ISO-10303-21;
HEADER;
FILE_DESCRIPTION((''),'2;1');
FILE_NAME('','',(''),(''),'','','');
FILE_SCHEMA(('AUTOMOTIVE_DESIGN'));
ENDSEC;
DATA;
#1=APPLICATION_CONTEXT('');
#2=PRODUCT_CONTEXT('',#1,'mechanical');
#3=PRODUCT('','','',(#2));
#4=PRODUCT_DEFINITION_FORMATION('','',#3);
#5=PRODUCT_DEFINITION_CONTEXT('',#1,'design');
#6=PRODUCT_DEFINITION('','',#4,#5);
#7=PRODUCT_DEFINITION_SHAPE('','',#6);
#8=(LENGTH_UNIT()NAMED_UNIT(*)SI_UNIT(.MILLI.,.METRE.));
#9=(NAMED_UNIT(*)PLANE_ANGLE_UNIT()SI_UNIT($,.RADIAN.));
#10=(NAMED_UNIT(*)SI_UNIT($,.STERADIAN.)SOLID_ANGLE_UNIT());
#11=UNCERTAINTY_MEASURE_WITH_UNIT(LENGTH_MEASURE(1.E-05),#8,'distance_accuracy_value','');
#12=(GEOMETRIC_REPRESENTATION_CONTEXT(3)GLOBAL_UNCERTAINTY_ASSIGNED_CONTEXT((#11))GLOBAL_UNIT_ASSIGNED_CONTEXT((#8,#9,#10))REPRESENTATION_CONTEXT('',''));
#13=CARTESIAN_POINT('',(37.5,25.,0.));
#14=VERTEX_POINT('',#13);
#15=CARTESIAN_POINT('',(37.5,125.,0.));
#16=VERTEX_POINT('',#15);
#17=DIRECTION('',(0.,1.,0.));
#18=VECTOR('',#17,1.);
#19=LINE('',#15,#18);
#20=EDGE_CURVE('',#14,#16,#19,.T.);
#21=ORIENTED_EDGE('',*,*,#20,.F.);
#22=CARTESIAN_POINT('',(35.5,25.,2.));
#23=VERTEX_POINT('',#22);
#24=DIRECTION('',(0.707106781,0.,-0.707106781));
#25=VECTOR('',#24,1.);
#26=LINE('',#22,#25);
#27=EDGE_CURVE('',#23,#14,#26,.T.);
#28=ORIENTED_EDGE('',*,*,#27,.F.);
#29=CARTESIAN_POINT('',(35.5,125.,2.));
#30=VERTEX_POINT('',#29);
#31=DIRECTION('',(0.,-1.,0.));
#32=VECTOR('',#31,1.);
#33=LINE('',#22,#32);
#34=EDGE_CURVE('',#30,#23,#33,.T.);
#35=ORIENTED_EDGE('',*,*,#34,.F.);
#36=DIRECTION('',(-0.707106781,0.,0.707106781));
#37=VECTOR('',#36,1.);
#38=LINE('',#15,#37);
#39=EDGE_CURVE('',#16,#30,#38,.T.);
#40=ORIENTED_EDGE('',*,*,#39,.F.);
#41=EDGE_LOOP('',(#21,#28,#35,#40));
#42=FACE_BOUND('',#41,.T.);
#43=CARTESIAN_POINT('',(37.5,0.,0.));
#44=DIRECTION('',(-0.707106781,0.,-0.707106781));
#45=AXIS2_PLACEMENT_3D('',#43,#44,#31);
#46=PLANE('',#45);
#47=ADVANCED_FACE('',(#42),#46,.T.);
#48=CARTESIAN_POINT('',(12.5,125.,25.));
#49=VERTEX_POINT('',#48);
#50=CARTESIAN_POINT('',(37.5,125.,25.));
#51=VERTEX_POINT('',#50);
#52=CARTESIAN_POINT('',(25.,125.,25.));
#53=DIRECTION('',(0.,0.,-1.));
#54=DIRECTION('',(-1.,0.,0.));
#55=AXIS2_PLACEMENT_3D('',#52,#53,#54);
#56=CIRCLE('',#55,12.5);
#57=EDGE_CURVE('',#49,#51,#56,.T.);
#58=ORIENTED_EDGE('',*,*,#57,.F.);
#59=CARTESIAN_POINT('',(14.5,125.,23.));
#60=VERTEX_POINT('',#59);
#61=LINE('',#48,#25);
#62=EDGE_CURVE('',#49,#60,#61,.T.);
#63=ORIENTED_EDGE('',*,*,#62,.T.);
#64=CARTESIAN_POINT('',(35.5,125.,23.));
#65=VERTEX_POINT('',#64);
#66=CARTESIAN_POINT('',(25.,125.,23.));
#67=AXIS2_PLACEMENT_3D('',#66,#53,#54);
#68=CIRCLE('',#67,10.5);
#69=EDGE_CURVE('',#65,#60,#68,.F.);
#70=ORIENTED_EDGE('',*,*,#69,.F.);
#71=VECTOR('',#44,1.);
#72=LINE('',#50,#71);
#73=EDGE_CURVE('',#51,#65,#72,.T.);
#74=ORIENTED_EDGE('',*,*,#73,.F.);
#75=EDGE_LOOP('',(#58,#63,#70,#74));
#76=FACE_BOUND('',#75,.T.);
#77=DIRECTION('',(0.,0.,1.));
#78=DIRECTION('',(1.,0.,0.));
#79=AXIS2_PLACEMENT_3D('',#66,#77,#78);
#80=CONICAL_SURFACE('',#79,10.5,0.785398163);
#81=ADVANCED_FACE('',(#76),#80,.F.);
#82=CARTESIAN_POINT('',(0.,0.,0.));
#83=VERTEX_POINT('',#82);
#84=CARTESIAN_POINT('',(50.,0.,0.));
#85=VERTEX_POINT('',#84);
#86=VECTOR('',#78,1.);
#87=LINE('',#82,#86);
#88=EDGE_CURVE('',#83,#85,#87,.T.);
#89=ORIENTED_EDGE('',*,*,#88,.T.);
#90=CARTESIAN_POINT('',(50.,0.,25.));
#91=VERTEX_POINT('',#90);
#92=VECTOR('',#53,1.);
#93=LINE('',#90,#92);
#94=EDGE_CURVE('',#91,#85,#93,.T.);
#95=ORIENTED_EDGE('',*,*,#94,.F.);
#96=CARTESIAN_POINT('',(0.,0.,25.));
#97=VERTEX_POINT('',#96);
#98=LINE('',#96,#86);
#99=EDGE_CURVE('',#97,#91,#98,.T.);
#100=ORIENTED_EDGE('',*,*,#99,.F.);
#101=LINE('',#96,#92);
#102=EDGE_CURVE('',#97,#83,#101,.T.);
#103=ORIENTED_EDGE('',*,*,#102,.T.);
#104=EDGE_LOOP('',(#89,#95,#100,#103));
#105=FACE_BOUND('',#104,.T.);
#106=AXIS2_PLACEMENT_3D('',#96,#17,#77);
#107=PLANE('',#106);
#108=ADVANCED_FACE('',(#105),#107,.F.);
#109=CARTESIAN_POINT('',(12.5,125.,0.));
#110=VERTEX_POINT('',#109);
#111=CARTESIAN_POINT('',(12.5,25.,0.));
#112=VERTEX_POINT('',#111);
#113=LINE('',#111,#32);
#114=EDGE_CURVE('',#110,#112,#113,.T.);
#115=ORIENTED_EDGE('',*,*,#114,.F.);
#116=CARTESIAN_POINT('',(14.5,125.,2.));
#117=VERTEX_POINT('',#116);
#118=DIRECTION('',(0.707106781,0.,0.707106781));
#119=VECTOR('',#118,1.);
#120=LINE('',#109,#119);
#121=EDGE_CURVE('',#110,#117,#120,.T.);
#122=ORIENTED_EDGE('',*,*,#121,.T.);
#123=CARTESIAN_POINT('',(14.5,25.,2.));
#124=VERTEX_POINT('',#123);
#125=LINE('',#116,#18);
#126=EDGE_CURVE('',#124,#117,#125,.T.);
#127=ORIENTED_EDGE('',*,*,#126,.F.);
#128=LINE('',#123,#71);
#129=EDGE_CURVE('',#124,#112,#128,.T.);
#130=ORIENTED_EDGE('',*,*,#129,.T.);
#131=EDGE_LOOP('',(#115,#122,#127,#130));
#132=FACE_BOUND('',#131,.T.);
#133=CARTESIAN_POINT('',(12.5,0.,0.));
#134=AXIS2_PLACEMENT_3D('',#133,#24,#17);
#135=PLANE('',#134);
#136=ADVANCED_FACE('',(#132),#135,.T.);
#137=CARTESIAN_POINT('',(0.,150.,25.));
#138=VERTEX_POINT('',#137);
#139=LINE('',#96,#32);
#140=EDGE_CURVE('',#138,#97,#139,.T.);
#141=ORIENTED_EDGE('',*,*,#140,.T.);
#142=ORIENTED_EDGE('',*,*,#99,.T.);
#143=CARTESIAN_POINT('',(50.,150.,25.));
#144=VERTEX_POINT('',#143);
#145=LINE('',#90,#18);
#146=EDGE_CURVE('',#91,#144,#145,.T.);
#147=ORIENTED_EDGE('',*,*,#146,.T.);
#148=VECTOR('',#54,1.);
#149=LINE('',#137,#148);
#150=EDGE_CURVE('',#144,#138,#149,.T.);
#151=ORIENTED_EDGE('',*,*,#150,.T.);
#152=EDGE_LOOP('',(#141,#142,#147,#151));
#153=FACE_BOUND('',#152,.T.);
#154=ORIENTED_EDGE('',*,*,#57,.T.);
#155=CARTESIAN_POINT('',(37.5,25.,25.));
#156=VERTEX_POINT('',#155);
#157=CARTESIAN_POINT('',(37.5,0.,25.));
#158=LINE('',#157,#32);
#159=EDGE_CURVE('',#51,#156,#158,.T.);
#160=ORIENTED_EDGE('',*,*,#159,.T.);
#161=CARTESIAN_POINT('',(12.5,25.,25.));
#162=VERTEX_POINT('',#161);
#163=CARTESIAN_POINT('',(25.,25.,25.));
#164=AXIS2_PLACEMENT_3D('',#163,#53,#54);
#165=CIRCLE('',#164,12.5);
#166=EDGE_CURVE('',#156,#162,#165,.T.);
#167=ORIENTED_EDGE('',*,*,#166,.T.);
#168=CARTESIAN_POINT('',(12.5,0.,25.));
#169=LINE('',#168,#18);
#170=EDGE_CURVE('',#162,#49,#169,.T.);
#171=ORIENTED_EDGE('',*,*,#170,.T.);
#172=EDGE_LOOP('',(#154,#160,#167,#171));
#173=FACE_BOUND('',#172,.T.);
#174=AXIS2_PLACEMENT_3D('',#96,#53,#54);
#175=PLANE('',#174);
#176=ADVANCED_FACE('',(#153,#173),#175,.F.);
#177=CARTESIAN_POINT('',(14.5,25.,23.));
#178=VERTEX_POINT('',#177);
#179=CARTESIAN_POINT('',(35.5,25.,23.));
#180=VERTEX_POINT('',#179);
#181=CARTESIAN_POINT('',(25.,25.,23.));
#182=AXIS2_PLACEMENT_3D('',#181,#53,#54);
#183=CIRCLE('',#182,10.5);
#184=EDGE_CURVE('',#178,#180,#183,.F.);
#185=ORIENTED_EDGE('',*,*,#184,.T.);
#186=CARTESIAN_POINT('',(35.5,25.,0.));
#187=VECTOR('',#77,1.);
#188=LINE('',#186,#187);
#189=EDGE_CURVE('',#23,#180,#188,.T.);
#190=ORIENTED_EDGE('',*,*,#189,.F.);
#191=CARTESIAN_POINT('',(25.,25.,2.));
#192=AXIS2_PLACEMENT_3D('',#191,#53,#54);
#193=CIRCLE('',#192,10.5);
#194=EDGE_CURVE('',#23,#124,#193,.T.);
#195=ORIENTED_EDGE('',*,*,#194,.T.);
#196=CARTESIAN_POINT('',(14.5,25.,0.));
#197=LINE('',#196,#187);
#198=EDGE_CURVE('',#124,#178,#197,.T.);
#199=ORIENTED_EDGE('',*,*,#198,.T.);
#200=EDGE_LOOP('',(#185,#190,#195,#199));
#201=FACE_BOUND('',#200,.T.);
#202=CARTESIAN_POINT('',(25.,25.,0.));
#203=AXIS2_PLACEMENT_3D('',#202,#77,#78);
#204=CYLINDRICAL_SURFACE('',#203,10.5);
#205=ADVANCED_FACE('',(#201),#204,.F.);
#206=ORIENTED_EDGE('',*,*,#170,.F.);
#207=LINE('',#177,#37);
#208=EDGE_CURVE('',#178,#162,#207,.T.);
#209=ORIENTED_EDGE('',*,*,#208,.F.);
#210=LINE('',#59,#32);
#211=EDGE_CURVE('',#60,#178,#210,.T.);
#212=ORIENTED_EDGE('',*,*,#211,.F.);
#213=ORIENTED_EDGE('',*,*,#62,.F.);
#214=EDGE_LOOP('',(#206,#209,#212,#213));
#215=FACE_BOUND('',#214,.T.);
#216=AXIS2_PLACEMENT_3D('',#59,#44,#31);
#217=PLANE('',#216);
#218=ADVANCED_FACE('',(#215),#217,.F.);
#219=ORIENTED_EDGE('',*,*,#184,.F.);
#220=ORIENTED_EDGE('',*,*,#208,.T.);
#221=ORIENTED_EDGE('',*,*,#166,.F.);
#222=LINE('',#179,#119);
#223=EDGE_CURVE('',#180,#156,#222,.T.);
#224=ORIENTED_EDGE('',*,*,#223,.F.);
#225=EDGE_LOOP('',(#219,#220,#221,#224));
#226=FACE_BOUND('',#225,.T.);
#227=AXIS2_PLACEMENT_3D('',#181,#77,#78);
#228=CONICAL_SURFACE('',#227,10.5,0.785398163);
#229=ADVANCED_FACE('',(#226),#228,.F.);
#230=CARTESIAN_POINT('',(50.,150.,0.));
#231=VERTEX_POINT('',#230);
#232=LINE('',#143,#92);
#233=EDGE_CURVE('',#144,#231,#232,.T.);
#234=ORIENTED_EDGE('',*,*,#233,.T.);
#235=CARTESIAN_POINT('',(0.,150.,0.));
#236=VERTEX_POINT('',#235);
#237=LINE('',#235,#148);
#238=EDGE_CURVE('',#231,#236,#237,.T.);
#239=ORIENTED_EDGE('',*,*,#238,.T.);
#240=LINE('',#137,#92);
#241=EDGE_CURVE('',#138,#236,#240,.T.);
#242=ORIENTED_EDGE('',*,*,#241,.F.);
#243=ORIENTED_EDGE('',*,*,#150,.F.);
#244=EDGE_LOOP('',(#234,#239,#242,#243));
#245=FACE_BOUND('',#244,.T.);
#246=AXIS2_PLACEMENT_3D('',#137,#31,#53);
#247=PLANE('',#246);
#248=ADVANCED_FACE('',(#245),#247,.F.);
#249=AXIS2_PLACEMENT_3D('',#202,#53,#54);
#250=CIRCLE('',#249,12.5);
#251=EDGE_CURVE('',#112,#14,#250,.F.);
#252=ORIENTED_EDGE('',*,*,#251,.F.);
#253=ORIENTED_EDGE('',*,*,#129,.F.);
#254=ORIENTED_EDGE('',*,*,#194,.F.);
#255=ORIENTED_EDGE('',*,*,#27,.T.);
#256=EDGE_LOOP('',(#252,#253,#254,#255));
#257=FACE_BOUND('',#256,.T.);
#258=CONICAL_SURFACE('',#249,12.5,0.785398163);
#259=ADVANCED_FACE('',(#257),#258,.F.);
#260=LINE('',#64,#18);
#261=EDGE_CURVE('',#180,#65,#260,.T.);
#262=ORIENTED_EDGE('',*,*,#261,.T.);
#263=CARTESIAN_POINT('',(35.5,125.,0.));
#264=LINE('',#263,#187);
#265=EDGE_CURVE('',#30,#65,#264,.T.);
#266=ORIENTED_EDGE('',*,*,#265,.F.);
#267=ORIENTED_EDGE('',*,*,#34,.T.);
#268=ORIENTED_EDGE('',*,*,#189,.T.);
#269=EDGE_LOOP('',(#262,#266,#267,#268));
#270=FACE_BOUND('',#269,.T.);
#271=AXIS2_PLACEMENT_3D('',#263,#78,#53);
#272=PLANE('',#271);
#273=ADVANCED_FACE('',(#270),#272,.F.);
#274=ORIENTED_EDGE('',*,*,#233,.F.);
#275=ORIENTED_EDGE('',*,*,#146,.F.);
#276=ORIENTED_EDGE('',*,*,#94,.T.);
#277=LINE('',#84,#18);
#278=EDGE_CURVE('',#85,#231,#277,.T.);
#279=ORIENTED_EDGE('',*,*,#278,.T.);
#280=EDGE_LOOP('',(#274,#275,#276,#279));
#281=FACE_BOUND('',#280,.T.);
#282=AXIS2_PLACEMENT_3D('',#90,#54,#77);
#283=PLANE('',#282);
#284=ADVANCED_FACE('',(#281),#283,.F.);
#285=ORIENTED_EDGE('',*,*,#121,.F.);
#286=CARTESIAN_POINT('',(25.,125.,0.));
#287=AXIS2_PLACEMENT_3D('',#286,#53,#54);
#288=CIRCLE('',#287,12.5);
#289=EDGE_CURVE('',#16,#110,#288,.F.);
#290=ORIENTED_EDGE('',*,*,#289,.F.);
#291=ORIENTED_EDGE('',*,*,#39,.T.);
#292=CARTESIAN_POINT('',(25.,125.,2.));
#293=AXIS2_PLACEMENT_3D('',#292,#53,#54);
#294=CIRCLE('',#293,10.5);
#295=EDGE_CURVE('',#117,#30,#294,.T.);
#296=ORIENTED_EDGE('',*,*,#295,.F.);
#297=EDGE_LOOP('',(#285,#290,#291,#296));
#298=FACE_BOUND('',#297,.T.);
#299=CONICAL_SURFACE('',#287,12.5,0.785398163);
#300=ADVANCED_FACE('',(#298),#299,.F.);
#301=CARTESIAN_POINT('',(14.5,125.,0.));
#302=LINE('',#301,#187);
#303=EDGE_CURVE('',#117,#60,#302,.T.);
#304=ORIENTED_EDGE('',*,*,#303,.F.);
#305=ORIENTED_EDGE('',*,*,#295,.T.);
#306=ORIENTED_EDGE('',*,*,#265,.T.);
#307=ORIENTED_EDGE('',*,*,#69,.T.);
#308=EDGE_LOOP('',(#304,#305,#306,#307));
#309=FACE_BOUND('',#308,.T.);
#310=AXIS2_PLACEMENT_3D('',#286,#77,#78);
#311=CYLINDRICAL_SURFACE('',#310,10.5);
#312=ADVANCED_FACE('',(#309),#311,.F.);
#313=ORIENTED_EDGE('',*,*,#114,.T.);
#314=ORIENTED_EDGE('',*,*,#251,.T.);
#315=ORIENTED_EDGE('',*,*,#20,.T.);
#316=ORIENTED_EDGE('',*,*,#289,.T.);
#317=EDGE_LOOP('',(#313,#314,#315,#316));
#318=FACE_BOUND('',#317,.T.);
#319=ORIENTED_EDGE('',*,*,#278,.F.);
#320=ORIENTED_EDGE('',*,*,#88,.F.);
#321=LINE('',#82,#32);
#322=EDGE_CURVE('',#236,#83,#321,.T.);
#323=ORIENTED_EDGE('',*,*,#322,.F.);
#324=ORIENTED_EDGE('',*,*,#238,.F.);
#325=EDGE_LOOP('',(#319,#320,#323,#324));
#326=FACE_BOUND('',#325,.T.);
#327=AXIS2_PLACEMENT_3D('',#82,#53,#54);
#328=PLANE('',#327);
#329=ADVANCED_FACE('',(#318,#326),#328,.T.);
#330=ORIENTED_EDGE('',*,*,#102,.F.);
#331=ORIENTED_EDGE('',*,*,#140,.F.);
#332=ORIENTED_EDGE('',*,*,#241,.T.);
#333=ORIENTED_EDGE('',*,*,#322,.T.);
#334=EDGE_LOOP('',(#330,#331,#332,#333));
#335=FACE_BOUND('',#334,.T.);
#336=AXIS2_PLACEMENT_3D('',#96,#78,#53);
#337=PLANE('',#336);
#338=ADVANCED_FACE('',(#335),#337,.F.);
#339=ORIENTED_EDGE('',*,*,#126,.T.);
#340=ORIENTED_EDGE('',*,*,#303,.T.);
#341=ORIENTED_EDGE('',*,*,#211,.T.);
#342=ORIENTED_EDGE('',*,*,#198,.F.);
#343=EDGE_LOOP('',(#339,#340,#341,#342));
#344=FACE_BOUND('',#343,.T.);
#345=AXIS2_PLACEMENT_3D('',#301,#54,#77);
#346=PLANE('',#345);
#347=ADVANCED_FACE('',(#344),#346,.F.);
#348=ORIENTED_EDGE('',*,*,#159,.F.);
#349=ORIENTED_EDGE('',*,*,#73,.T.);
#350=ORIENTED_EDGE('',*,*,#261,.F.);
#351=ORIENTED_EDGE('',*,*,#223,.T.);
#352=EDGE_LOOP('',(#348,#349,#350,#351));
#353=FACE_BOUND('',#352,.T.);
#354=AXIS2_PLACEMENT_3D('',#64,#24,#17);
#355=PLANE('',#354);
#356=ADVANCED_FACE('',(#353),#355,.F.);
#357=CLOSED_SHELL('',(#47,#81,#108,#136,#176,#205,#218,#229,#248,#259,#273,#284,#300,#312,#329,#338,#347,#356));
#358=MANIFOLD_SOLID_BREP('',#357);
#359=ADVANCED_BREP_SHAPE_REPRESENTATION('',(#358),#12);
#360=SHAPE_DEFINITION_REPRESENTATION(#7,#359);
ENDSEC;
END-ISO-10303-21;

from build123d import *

# Parameters (mm, degrees)
SKETCH_1_W          = 50
SKETCH_1_H          = 150
EXTRUDE_1_DEPTH     = 25
CUT_EXTRUDE_1_DEPTH = 26
CHAMFER_1_SIZE      = 2


with BuildPart() as part:
    # Эскиз1 → Бобышка-Вытянуть1 (new body)
    with BuildSketch(Plane.XY):
        with Locations((25, 75)):
            Rectangle(SKETCH_1_W, SKETCH_1_H)
    extrude(amount=EXTRUDE_1_DEPTH)

    # Эскиз2 → Вырез-Вытянуть1 (cut, through all)
    with BuildSketch(Plane.XY.offset(25)):
        with BuildLine():
            Line((35.5, 125), (35.5, 25))
            ThreePointArc((35.5, 25), (25, 14.5), (14.5, 25))
            Line((14.5, 25), (14.5, 125))
            ThreePointArc((14.5, 125), (25, 135.5), (35.5, 125))
        make_face()
    extrude(amount=-CUT_EXTRUDE_1_DEPTH, mode=Mode.SUBTRACT)

    # Фаска1
    chamfer_1_edges = [part.edges().sort_by_distance(p)[0] for p in [
        (25, 14.5, 0),
        (14.5, 75, 0),
        (25, 135.5, 0),
        (35.5, 75, 0),
        (25, 14.5, 25),
        (35.5, 75, 25),
        (25, 135.5, 25),
        (14.5, 75, 25),
    ]]
    chamfer(chamfer_1_edges, length=CHAMFER_1_SIZE)


solid = part.part
